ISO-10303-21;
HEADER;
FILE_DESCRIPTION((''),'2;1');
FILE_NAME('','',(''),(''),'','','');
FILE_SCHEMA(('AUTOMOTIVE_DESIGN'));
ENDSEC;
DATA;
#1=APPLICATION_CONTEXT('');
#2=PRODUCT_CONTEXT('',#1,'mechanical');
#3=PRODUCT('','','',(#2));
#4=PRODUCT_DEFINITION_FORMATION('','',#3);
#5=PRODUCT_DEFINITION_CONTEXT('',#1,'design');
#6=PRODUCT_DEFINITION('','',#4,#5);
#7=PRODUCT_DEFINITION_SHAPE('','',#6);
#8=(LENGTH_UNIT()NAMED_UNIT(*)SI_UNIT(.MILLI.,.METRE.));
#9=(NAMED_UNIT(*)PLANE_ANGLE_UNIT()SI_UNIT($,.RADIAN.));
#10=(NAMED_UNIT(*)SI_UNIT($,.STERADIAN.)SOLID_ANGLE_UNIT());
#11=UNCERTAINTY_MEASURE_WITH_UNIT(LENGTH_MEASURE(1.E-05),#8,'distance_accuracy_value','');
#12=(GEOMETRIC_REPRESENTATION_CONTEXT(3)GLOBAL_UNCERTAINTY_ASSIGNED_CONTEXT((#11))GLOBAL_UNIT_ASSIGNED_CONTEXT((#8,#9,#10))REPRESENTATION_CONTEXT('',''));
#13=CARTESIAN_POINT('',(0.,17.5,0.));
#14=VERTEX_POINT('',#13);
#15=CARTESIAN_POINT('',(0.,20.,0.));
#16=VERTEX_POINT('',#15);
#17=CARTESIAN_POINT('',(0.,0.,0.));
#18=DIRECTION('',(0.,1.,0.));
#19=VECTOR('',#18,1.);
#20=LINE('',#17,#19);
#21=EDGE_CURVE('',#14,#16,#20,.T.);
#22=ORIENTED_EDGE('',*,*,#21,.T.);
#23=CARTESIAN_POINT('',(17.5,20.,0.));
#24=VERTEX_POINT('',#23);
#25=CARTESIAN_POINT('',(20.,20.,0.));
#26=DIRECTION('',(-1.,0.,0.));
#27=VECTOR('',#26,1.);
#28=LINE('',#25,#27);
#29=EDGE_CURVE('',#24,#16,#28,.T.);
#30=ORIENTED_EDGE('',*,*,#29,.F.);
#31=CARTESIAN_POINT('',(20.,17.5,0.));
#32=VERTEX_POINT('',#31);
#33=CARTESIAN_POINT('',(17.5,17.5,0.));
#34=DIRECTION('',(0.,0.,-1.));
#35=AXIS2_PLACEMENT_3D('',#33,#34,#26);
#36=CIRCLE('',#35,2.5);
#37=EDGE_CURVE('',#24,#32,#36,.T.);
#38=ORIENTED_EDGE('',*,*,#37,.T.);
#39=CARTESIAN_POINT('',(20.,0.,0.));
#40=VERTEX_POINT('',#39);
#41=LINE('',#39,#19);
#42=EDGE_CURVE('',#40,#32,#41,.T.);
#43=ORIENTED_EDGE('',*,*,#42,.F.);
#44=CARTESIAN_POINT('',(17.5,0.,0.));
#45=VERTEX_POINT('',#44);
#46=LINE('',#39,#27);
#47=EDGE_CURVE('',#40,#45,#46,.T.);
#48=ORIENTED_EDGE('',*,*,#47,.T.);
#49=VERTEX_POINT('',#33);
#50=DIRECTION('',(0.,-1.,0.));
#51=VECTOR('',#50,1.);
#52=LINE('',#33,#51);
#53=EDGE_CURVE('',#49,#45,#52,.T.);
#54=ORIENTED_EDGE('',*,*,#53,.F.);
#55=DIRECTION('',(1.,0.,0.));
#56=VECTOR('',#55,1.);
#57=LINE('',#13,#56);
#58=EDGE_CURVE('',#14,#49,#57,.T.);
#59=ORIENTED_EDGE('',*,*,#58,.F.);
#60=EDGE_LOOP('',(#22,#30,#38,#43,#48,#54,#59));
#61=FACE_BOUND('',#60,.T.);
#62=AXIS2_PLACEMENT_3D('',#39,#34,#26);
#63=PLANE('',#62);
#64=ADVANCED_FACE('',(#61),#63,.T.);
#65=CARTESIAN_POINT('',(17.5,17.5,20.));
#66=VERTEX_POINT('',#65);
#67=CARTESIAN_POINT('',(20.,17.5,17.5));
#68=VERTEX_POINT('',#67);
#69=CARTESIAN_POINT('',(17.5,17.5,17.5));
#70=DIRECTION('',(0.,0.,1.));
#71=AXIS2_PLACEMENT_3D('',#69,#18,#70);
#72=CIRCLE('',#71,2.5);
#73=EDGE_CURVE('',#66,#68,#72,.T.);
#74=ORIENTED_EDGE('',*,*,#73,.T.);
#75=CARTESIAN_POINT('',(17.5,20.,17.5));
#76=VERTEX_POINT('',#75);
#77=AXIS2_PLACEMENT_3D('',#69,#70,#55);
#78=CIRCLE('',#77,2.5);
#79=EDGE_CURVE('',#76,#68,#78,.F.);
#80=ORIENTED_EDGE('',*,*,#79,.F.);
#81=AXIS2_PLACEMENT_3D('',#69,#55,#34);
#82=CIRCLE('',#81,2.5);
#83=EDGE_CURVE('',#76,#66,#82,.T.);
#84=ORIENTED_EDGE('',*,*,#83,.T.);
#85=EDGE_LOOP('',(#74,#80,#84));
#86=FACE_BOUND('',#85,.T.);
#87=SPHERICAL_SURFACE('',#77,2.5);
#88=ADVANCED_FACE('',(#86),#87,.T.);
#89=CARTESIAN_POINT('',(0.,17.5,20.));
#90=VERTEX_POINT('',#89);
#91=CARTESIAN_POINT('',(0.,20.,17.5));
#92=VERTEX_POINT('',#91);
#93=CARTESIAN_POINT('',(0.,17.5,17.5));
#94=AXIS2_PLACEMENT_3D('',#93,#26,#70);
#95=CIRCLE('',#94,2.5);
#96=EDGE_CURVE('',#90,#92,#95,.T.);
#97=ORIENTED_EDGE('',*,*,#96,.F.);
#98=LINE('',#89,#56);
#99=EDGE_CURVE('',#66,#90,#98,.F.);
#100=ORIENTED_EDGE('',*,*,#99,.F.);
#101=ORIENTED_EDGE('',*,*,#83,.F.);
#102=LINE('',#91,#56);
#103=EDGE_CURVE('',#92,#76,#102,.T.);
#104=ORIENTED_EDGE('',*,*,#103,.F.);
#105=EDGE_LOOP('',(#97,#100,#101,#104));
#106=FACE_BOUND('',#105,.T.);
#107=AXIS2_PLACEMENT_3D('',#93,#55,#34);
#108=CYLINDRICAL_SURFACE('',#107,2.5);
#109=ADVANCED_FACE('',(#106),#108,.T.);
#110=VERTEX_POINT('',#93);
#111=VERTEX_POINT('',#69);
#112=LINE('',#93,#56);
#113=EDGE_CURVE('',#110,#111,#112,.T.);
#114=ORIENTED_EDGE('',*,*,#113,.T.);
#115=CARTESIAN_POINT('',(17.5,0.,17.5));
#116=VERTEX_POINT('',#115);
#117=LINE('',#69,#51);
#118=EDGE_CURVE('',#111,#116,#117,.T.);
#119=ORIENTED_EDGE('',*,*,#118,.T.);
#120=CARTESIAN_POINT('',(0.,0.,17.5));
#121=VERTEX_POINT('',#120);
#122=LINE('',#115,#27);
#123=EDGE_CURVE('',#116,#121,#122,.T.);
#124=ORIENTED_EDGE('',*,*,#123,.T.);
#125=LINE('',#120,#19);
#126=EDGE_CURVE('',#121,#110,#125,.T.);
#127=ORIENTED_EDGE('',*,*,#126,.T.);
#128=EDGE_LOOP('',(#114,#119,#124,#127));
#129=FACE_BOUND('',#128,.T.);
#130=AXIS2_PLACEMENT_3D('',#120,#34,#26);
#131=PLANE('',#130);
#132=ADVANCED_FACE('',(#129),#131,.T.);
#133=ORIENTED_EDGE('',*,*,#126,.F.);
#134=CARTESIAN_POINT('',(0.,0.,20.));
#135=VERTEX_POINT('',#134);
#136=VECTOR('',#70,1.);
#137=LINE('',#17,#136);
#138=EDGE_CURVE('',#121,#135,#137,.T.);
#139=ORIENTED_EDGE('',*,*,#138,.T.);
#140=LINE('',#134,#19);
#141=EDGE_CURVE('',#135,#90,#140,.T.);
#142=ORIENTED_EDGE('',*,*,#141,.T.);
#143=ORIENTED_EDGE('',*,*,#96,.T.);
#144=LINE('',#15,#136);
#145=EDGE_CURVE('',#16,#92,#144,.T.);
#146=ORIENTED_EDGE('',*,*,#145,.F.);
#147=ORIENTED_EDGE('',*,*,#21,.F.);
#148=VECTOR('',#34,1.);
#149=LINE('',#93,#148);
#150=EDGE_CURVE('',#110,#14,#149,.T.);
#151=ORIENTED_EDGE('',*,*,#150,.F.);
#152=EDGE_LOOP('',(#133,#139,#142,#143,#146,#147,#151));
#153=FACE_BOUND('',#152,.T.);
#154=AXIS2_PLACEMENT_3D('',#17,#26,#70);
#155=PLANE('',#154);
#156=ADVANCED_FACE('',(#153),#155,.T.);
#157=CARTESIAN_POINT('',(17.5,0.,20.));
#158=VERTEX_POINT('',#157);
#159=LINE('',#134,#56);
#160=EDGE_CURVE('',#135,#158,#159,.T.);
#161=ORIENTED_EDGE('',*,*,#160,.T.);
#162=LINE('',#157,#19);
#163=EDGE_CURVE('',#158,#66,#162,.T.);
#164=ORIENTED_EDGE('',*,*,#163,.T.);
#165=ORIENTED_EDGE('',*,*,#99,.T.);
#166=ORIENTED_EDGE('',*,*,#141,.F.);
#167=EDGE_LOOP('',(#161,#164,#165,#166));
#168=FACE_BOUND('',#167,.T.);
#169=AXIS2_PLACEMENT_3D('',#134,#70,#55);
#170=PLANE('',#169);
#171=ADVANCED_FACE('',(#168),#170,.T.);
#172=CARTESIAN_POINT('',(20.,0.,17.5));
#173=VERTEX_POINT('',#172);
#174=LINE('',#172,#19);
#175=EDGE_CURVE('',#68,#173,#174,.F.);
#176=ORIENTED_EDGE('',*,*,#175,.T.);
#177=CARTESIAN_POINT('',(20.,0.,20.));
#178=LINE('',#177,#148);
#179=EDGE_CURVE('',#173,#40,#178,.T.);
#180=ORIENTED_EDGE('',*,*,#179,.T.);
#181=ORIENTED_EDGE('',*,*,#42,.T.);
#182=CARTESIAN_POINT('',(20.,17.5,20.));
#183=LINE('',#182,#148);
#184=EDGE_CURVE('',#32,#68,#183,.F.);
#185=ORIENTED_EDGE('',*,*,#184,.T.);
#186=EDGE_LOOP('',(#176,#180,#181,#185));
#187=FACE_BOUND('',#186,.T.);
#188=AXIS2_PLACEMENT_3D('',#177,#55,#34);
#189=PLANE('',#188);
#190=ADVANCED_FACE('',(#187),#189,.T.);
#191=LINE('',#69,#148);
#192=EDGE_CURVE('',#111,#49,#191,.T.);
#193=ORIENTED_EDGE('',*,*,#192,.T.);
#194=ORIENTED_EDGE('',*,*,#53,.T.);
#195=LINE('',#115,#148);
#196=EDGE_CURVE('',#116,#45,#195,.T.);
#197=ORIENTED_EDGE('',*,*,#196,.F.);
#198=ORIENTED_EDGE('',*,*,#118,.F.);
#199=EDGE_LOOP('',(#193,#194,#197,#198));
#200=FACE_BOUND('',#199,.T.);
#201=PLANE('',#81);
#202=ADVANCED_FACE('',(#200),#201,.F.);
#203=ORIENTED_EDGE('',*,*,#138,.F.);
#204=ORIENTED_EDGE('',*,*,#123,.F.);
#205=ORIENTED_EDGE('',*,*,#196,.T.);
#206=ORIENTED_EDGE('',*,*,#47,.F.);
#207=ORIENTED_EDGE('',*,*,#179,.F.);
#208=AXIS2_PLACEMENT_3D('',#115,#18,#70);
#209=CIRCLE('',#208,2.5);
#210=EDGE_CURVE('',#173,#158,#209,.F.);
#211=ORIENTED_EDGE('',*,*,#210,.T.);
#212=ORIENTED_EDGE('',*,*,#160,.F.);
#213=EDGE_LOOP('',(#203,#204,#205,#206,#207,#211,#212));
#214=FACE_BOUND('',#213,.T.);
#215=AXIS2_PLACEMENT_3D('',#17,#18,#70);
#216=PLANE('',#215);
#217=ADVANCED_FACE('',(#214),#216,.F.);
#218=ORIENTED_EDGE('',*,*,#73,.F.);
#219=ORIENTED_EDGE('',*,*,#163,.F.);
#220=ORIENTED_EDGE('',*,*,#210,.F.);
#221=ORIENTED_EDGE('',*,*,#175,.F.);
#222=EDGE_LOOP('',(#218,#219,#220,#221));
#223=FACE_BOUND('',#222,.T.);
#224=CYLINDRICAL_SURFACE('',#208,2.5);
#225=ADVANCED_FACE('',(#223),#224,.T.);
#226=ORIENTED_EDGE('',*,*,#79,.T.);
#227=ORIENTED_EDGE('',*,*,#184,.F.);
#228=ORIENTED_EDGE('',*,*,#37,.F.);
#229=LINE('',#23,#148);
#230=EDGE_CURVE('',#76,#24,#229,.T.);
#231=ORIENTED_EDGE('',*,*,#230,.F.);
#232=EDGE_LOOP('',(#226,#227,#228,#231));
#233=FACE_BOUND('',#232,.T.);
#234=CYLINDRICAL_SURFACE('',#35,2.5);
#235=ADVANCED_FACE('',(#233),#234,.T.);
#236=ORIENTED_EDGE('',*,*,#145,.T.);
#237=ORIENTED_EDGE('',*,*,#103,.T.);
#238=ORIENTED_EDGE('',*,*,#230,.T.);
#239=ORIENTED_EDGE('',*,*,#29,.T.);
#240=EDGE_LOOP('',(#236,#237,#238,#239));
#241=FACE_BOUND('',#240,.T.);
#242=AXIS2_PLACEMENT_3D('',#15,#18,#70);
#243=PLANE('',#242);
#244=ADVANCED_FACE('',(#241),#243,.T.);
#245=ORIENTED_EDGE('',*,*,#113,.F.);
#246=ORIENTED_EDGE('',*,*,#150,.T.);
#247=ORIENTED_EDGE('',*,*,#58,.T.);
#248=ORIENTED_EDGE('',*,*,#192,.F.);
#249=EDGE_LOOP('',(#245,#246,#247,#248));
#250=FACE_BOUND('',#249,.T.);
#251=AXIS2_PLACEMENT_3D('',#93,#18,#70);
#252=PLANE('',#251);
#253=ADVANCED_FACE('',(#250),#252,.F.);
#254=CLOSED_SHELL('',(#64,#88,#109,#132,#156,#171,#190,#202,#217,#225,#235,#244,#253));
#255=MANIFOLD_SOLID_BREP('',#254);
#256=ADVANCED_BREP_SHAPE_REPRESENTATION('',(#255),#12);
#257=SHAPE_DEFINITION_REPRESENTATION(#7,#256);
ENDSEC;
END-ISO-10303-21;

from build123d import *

# Parameters (mm, degrees)
SKETCH1_W           = 20
SKETCH1_H           = 20
BOSS_EXTRUDE1_DEPTH = 20
SKETCH2_W           = 17.5
SKETCH2_H           = 17.5
CUT_EXTRUDE1_DEPTH  = 17.5
FILLET1_R           = 2.5


with BuildPart() as part:
    # Sketch1 → Boss-Extrude1 (new body)
    with BuildSketch(Plane(origin=(0, 20, 0), x_dir=(1, 0, 0), z_dir=(0, 1, 0))):
        with Locations((10, -10)):
            Rectangle(SKETCH1_W, SKETCH1_H)
    extrude(amount=-BOSS_EXTRUDE1_DEPTH)

    # Sketch2 → Cut-Extrude1 (cut)
    with BuildSketch(Plane(origin=(0, 0, 0), x_dir=(-1, 0, 0), z_dir=(0, 0, -1))):
        with Locations((-8.75, 8.75)):
            Rectangle(SKETCH2_W, SKETCH2_H)
    extrude(amount=-CUT_EXTRUDE1_DEPTH, mode=Mode.SUBTRACT)

    # Fillet1
    fillet1_edges = [part.edges().sort_by_distance(p)[0] for p in [
        (20, 20, 10),
        (10, 20, 20),
        (20, 10, 20),
    ]]
    fillet(fillet1_edges, radius=FILLET1_R)


solid = part.part
